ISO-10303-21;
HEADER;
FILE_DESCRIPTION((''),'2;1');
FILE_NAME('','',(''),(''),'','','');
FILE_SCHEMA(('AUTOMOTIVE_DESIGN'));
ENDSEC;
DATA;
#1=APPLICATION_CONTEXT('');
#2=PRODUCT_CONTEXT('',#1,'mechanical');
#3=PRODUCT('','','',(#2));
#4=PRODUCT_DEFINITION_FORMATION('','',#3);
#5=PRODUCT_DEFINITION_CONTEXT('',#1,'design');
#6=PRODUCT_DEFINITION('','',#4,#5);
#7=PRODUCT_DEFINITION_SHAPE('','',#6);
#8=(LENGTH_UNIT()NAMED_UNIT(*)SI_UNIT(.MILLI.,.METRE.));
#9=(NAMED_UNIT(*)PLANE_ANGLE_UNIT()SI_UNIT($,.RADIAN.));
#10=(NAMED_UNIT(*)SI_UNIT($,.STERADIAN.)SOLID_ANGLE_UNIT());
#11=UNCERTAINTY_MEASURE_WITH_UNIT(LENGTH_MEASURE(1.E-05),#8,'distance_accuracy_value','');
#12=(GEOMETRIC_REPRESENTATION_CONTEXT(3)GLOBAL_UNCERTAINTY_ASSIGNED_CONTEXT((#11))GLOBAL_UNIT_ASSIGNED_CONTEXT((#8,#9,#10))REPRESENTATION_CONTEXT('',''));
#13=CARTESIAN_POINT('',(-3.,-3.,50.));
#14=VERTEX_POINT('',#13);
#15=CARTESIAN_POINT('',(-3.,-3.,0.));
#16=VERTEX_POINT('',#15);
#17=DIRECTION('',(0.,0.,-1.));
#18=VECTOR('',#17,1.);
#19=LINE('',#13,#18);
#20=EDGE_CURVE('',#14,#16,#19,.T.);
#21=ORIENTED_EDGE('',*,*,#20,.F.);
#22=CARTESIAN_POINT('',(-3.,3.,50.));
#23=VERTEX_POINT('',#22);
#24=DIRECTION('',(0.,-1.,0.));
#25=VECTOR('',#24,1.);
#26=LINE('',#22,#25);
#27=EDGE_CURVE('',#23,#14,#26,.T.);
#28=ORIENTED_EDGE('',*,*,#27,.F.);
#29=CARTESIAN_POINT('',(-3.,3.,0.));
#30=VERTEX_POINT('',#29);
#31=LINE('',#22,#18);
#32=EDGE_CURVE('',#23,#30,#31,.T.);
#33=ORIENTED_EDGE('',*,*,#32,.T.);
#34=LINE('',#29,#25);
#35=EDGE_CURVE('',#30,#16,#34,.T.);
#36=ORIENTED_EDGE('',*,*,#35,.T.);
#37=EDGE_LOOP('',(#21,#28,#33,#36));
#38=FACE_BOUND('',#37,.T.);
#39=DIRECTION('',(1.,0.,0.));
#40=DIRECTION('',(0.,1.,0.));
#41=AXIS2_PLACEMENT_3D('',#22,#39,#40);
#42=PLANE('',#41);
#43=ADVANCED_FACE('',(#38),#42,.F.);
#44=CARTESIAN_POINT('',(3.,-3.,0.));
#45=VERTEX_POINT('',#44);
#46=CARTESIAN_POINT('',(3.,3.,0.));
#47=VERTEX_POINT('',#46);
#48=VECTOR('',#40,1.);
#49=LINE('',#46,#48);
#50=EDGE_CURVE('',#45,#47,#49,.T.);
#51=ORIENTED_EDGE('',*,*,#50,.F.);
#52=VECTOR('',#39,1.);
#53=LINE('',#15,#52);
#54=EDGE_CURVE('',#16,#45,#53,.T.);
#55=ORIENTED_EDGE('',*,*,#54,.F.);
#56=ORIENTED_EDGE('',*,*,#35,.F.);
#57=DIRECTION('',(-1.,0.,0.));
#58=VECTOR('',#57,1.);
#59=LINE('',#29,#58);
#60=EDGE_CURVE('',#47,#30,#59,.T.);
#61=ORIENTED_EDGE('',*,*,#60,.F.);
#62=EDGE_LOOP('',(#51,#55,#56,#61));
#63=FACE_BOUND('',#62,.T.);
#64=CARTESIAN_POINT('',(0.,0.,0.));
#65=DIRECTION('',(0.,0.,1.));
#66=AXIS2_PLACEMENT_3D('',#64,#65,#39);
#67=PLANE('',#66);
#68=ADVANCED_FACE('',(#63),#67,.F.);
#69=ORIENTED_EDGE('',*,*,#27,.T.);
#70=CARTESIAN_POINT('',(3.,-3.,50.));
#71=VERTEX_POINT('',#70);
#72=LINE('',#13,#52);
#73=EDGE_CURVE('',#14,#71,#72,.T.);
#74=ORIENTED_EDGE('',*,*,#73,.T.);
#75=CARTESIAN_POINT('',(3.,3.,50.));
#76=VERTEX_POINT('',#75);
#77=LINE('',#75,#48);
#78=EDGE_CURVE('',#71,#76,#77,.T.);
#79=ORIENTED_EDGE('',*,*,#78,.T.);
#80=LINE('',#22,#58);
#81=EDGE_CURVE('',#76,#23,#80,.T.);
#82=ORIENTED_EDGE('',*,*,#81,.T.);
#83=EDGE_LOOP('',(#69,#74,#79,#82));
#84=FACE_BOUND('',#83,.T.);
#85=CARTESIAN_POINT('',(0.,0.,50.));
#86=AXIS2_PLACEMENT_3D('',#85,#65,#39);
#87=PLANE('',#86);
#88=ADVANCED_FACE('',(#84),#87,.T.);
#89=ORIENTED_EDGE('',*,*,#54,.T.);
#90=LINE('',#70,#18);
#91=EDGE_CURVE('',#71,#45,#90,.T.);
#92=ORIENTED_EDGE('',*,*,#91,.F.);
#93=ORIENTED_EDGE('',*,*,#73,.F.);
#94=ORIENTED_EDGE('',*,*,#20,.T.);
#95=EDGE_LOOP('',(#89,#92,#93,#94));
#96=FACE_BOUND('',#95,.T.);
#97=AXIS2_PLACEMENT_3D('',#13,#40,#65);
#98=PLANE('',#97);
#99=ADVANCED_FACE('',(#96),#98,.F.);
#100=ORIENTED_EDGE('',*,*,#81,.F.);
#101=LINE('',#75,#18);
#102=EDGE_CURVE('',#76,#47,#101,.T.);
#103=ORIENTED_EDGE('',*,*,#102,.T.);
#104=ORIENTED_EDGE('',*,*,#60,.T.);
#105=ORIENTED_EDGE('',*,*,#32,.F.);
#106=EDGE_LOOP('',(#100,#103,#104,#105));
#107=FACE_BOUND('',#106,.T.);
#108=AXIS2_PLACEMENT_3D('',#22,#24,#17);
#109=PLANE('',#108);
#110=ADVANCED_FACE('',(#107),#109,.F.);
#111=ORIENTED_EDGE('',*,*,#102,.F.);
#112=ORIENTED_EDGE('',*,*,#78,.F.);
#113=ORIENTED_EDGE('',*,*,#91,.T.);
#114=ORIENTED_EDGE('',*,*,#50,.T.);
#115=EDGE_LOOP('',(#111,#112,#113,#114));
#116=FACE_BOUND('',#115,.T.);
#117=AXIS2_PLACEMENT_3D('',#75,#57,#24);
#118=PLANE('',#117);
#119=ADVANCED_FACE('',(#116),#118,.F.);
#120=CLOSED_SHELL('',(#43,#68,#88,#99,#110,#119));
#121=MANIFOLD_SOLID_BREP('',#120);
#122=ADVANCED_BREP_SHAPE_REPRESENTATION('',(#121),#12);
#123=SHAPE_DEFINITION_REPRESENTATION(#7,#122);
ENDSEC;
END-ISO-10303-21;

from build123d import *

# Parameters (mm, degrees)
SKETCH1_W           = 6
SKETCH1_H           = 6
BOSS_EXTRUDE1_DEPTH = 50


with BuildPart() as part:
    # Sketch1 → Boss-Extrude1 (new body)
    with BuildSketch(Plane.XY):
        Rectangle(SKETCH1_W, SKETCH1_H)
    extrude(amount=BOSS_EXTRUDE1_DEPTH)


solid = part.part
